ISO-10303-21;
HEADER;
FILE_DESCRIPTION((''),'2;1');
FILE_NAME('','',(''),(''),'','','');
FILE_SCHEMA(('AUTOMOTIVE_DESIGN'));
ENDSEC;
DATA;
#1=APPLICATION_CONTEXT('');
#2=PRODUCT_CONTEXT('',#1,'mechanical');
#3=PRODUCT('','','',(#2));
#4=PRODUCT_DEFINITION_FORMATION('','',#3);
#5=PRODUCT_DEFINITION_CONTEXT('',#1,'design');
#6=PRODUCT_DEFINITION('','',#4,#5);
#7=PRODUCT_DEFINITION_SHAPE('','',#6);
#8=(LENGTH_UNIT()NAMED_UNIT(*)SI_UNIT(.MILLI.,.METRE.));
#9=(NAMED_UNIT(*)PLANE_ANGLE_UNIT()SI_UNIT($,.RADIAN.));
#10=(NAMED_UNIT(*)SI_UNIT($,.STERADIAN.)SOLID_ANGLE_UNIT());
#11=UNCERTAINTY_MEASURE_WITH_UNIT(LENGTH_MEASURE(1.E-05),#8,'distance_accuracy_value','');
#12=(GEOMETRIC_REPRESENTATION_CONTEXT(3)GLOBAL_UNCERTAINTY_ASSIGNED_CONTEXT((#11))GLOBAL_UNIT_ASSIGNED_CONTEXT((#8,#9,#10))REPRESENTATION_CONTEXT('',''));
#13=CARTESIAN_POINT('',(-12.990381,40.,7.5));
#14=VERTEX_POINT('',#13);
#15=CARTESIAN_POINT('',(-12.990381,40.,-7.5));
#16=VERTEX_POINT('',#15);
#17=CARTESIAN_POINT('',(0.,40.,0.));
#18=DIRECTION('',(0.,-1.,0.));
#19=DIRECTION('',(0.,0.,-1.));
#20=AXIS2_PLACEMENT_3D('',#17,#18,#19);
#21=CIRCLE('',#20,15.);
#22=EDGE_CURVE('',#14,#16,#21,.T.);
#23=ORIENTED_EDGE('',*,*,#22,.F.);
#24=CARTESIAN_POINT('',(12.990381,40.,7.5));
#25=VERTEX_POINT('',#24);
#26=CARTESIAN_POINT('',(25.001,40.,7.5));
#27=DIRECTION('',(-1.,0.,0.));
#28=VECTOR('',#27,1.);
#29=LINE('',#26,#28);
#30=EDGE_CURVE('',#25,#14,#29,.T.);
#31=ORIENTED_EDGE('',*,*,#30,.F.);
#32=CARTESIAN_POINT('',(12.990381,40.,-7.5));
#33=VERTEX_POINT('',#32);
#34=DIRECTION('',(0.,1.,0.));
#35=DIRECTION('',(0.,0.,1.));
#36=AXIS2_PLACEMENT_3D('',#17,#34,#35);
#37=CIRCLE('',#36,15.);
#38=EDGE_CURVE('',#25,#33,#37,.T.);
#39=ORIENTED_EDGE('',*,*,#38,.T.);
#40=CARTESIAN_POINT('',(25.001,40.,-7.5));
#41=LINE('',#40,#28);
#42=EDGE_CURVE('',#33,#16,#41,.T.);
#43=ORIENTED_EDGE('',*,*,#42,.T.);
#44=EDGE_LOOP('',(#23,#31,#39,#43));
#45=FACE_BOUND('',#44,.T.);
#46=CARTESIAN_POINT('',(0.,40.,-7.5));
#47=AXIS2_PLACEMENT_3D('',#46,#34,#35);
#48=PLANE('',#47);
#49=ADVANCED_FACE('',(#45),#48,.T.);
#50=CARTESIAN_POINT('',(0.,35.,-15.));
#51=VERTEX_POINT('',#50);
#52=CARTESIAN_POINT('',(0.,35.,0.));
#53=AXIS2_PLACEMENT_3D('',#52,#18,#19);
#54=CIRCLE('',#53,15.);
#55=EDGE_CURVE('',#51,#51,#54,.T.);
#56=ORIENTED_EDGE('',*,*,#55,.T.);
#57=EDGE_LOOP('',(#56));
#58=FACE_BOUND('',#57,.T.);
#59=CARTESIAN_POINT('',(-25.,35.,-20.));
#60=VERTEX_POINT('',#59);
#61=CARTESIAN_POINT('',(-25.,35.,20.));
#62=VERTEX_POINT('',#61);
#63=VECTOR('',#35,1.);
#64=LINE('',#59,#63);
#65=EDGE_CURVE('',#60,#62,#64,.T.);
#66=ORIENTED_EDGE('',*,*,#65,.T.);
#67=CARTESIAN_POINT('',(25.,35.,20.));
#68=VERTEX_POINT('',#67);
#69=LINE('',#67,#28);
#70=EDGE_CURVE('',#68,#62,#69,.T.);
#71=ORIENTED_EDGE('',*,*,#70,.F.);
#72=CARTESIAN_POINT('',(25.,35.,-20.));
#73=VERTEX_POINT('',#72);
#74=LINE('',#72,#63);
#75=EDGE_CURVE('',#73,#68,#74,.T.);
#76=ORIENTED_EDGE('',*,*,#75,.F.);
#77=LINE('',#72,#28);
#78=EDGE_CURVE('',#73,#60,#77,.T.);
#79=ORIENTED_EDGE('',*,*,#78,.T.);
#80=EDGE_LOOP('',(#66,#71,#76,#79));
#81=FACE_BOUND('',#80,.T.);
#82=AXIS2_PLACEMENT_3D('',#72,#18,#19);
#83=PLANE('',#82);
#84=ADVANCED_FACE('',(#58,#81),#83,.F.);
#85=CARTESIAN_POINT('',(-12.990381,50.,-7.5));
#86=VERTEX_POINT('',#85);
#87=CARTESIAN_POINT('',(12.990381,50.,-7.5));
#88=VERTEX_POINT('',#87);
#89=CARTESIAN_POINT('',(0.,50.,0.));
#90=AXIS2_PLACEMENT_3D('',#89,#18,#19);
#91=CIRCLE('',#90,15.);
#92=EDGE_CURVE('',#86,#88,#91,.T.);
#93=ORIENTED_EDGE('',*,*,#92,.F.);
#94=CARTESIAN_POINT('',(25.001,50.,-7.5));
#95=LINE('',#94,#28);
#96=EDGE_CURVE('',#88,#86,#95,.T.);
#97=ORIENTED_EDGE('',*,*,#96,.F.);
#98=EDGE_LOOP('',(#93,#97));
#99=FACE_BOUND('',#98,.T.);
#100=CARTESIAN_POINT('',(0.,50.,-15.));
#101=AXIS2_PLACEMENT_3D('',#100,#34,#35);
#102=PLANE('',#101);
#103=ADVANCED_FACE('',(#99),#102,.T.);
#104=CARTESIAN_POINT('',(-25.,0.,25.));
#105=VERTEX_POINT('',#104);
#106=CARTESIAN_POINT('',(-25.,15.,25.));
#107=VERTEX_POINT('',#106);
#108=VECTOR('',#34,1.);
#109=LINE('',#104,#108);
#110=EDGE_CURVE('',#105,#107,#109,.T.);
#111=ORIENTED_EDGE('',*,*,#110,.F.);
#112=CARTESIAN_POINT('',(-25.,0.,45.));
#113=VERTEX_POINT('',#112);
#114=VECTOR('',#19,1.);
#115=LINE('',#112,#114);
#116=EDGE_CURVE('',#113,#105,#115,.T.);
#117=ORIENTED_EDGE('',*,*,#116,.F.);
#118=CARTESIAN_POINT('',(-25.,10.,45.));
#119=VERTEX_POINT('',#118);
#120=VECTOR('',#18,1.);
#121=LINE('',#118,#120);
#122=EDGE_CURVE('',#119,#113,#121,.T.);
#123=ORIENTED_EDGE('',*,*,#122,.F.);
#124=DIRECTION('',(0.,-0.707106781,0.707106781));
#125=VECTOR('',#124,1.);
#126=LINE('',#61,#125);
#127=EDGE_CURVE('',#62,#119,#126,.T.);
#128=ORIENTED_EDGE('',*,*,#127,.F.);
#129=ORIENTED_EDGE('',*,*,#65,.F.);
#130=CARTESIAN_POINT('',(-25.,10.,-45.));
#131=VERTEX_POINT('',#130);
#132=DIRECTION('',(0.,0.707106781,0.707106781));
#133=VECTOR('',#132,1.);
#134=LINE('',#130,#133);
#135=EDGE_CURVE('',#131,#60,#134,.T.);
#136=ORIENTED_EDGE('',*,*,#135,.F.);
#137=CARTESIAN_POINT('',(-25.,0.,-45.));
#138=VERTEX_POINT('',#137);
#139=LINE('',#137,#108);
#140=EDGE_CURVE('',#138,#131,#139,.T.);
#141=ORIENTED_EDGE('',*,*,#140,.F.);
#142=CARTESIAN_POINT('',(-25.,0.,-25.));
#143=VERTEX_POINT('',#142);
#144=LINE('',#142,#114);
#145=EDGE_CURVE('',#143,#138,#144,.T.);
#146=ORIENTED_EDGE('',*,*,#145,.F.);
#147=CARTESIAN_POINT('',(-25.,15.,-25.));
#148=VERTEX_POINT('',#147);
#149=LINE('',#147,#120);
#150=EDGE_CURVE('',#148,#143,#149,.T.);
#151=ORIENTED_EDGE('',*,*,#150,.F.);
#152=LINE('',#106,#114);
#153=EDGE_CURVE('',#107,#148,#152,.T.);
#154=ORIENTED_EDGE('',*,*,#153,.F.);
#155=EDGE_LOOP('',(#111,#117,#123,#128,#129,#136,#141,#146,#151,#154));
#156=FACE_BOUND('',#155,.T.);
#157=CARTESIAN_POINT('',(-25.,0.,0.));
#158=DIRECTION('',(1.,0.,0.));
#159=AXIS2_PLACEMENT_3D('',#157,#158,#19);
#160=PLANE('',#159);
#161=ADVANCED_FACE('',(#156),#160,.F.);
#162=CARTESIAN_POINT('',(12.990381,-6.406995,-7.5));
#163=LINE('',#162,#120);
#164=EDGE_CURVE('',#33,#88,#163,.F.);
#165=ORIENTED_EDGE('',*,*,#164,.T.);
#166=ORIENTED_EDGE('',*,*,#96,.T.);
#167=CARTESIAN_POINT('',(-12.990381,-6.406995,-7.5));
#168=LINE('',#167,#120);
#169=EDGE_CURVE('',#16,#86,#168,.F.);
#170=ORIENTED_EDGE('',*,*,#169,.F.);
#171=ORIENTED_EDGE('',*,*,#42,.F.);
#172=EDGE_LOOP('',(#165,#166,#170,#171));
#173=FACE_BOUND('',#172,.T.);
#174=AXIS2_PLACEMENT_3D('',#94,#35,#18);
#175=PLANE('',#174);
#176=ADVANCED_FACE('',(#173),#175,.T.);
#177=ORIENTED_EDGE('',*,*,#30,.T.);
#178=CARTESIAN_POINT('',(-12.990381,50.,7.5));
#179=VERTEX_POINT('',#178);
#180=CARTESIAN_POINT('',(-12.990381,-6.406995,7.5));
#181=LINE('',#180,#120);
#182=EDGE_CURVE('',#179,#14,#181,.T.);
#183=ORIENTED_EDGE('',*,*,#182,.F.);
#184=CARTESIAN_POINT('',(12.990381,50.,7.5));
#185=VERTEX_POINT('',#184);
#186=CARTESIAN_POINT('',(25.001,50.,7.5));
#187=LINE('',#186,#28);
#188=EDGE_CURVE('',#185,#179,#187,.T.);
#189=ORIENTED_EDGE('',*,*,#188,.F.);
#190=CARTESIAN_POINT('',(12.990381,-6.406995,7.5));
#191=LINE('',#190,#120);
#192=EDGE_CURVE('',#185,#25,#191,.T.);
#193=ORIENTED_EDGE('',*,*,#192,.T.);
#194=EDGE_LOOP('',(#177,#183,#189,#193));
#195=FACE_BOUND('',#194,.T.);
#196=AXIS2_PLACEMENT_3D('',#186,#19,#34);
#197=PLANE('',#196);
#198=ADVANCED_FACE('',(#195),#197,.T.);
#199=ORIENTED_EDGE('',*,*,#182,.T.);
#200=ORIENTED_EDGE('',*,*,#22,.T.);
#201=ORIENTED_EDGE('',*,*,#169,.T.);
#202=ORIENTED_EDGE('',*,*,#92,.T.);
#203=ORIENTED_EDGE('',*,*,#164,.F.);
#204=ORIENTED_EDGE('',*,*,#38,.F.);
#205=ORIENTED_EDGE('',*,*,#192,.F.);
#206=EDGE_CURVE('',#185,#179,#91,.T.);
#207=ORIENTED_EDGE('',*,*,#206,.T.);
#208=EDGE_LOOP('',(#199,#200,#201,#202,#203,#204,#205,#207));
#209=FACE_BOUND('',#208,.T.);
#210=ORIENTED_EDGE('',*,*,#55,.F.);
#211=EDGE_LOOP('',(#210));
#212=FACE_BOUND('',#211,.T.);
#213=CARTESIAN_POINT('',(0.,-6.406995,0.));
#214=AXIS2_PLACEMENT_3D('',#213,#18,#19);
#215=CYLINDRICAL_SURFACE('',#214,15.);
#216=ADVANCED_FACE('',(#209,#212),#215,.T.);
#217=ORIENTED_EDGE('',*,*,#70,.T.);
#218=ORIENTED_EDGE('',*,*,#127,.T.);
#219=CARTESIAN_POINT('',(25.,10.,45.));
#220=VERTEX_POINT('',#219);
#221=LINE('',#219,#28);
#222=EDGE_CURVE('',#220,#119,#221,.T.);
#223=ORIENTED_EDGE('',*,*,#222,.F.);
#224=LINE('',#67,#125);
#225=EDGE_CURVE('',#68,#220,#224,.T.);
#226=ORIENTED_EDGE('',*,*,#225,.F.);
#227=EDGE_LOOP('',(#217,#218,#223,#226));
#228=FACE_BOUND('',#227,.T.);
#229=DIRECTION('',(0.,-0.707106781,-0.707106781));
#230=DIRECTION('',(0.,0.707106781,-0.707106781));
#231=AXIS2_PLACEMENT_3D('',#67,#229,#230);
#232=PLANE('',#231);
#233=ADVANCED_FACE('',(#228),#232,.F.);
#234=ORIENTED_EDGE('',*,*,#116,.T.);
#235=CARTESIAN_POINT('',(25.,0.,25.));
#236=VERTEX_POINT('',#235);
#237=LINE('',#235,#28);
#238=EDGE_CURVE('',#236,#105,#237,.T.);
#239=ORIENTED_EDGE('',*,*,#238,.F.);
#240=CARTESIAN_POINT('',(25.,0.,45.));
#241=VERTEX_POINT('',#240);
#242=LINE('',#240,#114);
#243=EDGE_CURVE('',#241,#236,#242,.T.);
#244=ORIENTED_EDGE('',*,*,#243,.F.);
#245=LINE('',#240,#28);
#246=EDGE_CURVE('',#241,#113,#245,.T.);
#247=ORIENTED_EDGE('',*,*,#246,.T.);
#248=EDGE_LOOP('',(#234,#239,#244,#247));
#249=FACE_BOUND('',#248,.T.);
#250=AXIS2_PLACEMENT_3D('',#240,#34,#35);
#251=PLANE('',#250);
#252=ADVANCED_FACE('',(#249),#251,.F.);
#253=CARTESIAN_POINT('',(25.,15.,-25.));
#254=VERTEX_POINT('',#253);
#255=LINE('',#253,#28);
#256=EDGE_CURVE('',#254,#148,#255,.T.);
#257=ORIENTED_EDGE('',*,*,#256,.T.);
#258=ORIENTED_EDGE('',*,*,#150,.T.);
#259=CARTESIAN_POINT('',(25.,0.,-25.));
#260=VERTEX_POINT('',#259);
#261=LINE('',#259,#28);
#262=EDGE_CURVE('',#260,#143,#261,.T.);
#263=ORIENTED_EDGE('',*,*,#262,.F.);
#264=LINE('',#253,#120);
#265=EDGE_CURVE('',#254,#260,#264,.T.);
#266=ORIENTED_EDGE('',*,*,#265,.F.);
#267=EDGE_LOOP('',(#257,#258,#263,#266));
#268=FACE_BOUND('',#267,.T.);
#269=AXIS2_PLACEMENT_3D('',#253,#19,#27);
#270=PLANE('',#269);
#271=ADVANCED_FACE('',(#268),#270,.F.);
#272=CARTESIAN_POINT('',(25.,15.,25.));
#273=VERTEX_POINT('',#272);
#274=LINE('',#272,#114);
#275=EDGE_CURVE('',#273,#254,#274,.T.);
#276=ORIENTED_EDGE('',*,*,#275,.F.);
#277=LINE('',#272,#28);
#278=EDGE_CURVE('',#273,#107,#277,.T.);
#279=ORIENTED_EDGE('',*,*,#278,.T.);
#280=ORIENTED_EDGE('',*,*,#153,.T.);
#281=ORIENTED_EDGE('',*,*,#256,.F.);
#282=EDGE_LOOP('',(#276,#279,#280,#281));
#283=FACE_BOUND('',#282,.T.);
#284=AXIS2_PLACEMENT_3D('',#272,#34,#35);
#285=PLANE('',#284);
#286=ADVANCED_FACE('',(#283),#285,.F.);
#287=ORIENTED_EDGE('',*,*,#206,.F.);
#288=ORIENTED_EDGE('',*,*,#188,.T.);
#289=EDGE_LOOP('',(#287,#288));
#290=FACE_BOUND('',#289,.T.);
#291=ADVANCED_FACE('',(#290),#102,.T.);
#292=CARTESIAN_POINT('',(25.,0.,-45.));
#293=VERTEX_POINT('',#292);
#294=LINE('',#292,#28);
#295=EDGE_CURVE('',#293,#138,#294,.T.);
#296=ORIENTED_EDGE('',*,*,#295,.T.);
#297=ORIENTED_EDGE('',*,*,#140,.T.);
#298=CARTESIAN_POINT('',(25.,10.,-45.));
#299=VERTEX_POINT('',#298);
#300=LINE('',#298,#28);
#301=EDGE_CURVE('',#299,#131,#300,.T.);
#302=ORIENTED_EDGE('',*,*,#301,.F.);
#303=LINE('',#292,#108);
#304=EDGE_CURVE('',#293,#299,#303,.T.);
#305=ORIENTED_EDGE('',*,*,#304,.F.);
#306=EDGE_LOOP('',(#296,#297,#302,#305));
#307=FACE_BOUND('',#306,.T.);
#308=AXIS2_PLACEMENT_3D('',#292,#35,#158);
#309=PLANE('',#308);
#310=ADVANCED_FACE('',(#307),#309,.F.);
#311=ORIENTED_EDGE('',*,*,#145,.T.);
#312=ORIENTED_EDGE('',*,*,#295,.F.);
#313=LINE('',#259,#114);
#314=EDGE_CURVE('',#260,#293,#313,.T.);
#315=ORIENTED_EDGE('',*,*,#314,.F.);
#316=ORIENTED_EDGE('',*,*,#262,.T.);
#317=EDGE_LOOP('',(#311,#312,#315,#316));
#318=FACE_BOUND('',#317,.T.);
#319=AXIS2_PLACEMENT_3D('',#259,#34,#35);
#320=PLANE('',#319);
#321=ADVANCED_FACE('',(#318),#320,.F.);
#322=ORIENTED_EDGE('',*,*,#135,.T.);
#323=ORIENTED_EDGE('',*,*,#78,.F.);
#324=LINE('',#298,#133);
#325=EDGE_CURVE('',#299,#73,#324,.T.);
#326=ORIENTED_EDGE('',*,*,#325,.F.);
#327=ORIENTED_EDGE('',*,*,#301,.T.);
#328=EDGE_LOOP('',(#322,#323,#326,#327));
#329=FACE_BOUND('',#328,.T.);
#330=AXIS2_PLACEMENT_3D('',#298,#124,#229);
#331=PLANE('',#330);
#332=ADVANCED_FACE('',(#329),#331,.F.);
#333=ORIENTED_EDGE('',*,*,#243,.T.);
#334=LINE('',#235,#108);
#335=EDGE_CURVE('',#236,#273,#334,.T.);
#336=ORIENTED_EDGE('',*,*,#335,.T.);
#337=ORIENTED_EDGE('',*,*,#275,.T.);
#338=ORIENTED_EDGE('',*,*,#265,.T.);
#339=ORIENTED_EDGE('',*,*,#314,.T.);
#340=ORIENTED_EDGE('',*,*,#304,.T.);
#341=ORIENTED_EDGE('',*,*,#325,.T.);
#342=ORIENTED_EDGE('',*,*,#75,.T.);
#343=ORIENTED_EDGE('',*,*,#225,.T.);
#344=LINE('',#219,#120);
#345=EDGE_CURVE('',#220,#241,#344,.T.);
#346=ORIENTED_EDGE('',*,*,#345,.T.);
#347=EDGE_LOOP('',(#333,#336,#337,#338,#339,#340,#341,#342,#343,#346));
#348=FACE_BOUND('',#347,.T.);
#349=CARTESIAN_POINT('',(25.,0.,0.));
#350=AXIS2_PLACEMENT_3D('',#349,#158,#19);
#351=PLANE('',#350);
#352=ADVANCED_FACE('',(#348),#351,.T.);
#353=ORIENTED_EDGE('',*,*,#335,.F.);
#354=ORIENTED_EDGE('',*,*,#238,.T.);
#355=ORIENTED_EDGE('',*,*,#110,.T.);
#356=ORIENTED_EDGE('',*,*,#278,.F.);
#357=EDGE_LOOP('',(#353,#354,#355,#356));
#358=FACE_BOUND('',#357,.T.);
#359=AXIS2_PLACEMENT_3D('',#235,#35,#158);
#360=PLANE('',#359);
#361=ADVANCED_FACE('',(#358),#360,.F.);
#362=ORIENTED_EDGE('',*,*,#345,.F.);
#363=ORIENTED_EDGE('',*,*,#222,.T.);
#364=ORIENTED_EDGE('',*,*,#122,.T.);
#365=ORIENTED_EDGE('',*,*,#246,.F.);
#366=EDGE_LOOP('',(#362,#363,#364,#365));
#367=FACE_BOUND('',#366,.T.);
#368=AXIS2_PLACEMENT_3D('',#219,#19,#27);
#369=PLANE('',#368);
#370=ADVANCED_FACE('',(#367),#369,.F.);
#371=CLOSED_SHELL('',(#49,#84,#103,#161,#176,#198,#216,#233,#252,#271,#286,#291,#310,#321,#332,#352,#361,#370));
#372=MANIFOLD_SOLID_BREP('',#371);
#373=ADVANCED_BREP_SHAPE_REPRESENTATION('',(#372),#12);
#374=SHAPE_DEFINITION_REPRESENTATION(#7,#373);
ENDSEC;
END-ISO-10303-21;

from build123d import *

# Parameters (mm, degrees)
SALIENTE_EXTRUIR1_DEPTH                = 25
CORTAR_EXTRUIR1_REACH                  = 73.764
CORTAR_EXTRUIR1_END_RADIUS             = 15
CROQUIS5_W                             = 15
CROQUIS5_H                             = 10
CORTAR_EXTRUIR1_DIRECTION_2_REACH      = 73.764
CORTAR_EXTRUIR1_DIRECTION_2_END_RADIUS = 15


with BuildPart() as part:
    # Croquis2 → Saliente-Extruir1 (new, symmetric)
    with BuildSketch(Plane(origin=(0, 0, 0), x_dir=(0, 0, -1), z_dir=(1, 0, 0))):
        Polygon((-45, 0), (-25, 0), (-25, 15), (25, 15), (25, 0), (45, 0), (45, 10), (20, 35), (-20, 35), (-45, 10), align=None)
    extrude(amount=SALIENTE_EXTRUIR1_DEPTH, both=True)

    # Croquis3 → Revolución2 (revolve)
    with BuildSketch(Plane(origin=(0, 0, 0), x_dir=(0, 0, -1), z_dir=(1, 0, 0))):
        Polygon((0, 35), (15, 35), (15, 50), (7.5, 50), (7.5, 40), (0, 40), align=None)
    revolve(axis=Axis((0, -6.406995379, 0), (0, 1, 0)))

    # Cortar-Extruir1: up to this cylinder (the profile starts inside it)
    cortar_extruir1_end = Plane(origin=(0, 45, 0), z_dir=(0, -1, 0)) * Cylinder(CORTAR_EXTRUIR1_END_RADIUS, 178.528, mode=Mode.PRIVATE)
    # Croquis5 → Cortar-Extruir1 (cut, up to the surface)
    with BuildSketch(Plane(origin=(0, 0, 0), x_dir=(0, 0, -1), z_dir=(1, 0, 0)), mode=Mode.PRIVATE) as cortar_extruir1_sk1:
        with Locations((0, 45)):
            Rectangle(CROQUIS5_W, CROQUIS5_H)
    cortar_extruir1_tool1 = extrude(cortar_extruir1_sk1.sketch, amount=-CORTAR_EXTRUIR1_REACH, mode=Mode.PRIVATE) & cortar_extruir1_end
    add(cortar_extruir1_tool1.solids().sort_by_distance((0, 45, 0))[0], mode=Mode.SUBTRACT)

    # Cortar-Extruir1 direction 2: up to this cylinder (the profile starts inside it)
    cortar_extruir1_direction_2_end = Plane(origin=(0, 45, 0), z_dir=(0, -1, 0)) * Cylinder(CORTAR_EXTRUIR1_DIRECTION_2_END_RADIUS, 178.528, mode=Mode.PRIVATE)
    # Croquis5 → Cortar-Extruir1 direction 2 (cut, up to the surface)
    with BuildSketch(Plane(origin=(0, 0, 0), x_dir=(0, 0, -1), z_dir=(1, 0, 0)), mode=Mode.PRIVATE) as cortar_extruir1_direction_2_sk1:
        with Locations((0, 45)):
            Rectangle(CROQUIS5_W, CROQUIS5_H)
    cortar_extruir1_direction_2_tool1 = extrude(cortar_extruir1_direction_2_sk1.sketch, amount=CORTAR_EXTRUIR1_DIRECTION_2_REACH, mode=Mode.PRIVATE) & cortar_extruir1_direction_2_end
    add(cortar_extruir1_direction_2_tool1.solids().sort_by_distance((0, 45, 0))[0], mode=Mode.SUBTRACT)


solid = part.part
